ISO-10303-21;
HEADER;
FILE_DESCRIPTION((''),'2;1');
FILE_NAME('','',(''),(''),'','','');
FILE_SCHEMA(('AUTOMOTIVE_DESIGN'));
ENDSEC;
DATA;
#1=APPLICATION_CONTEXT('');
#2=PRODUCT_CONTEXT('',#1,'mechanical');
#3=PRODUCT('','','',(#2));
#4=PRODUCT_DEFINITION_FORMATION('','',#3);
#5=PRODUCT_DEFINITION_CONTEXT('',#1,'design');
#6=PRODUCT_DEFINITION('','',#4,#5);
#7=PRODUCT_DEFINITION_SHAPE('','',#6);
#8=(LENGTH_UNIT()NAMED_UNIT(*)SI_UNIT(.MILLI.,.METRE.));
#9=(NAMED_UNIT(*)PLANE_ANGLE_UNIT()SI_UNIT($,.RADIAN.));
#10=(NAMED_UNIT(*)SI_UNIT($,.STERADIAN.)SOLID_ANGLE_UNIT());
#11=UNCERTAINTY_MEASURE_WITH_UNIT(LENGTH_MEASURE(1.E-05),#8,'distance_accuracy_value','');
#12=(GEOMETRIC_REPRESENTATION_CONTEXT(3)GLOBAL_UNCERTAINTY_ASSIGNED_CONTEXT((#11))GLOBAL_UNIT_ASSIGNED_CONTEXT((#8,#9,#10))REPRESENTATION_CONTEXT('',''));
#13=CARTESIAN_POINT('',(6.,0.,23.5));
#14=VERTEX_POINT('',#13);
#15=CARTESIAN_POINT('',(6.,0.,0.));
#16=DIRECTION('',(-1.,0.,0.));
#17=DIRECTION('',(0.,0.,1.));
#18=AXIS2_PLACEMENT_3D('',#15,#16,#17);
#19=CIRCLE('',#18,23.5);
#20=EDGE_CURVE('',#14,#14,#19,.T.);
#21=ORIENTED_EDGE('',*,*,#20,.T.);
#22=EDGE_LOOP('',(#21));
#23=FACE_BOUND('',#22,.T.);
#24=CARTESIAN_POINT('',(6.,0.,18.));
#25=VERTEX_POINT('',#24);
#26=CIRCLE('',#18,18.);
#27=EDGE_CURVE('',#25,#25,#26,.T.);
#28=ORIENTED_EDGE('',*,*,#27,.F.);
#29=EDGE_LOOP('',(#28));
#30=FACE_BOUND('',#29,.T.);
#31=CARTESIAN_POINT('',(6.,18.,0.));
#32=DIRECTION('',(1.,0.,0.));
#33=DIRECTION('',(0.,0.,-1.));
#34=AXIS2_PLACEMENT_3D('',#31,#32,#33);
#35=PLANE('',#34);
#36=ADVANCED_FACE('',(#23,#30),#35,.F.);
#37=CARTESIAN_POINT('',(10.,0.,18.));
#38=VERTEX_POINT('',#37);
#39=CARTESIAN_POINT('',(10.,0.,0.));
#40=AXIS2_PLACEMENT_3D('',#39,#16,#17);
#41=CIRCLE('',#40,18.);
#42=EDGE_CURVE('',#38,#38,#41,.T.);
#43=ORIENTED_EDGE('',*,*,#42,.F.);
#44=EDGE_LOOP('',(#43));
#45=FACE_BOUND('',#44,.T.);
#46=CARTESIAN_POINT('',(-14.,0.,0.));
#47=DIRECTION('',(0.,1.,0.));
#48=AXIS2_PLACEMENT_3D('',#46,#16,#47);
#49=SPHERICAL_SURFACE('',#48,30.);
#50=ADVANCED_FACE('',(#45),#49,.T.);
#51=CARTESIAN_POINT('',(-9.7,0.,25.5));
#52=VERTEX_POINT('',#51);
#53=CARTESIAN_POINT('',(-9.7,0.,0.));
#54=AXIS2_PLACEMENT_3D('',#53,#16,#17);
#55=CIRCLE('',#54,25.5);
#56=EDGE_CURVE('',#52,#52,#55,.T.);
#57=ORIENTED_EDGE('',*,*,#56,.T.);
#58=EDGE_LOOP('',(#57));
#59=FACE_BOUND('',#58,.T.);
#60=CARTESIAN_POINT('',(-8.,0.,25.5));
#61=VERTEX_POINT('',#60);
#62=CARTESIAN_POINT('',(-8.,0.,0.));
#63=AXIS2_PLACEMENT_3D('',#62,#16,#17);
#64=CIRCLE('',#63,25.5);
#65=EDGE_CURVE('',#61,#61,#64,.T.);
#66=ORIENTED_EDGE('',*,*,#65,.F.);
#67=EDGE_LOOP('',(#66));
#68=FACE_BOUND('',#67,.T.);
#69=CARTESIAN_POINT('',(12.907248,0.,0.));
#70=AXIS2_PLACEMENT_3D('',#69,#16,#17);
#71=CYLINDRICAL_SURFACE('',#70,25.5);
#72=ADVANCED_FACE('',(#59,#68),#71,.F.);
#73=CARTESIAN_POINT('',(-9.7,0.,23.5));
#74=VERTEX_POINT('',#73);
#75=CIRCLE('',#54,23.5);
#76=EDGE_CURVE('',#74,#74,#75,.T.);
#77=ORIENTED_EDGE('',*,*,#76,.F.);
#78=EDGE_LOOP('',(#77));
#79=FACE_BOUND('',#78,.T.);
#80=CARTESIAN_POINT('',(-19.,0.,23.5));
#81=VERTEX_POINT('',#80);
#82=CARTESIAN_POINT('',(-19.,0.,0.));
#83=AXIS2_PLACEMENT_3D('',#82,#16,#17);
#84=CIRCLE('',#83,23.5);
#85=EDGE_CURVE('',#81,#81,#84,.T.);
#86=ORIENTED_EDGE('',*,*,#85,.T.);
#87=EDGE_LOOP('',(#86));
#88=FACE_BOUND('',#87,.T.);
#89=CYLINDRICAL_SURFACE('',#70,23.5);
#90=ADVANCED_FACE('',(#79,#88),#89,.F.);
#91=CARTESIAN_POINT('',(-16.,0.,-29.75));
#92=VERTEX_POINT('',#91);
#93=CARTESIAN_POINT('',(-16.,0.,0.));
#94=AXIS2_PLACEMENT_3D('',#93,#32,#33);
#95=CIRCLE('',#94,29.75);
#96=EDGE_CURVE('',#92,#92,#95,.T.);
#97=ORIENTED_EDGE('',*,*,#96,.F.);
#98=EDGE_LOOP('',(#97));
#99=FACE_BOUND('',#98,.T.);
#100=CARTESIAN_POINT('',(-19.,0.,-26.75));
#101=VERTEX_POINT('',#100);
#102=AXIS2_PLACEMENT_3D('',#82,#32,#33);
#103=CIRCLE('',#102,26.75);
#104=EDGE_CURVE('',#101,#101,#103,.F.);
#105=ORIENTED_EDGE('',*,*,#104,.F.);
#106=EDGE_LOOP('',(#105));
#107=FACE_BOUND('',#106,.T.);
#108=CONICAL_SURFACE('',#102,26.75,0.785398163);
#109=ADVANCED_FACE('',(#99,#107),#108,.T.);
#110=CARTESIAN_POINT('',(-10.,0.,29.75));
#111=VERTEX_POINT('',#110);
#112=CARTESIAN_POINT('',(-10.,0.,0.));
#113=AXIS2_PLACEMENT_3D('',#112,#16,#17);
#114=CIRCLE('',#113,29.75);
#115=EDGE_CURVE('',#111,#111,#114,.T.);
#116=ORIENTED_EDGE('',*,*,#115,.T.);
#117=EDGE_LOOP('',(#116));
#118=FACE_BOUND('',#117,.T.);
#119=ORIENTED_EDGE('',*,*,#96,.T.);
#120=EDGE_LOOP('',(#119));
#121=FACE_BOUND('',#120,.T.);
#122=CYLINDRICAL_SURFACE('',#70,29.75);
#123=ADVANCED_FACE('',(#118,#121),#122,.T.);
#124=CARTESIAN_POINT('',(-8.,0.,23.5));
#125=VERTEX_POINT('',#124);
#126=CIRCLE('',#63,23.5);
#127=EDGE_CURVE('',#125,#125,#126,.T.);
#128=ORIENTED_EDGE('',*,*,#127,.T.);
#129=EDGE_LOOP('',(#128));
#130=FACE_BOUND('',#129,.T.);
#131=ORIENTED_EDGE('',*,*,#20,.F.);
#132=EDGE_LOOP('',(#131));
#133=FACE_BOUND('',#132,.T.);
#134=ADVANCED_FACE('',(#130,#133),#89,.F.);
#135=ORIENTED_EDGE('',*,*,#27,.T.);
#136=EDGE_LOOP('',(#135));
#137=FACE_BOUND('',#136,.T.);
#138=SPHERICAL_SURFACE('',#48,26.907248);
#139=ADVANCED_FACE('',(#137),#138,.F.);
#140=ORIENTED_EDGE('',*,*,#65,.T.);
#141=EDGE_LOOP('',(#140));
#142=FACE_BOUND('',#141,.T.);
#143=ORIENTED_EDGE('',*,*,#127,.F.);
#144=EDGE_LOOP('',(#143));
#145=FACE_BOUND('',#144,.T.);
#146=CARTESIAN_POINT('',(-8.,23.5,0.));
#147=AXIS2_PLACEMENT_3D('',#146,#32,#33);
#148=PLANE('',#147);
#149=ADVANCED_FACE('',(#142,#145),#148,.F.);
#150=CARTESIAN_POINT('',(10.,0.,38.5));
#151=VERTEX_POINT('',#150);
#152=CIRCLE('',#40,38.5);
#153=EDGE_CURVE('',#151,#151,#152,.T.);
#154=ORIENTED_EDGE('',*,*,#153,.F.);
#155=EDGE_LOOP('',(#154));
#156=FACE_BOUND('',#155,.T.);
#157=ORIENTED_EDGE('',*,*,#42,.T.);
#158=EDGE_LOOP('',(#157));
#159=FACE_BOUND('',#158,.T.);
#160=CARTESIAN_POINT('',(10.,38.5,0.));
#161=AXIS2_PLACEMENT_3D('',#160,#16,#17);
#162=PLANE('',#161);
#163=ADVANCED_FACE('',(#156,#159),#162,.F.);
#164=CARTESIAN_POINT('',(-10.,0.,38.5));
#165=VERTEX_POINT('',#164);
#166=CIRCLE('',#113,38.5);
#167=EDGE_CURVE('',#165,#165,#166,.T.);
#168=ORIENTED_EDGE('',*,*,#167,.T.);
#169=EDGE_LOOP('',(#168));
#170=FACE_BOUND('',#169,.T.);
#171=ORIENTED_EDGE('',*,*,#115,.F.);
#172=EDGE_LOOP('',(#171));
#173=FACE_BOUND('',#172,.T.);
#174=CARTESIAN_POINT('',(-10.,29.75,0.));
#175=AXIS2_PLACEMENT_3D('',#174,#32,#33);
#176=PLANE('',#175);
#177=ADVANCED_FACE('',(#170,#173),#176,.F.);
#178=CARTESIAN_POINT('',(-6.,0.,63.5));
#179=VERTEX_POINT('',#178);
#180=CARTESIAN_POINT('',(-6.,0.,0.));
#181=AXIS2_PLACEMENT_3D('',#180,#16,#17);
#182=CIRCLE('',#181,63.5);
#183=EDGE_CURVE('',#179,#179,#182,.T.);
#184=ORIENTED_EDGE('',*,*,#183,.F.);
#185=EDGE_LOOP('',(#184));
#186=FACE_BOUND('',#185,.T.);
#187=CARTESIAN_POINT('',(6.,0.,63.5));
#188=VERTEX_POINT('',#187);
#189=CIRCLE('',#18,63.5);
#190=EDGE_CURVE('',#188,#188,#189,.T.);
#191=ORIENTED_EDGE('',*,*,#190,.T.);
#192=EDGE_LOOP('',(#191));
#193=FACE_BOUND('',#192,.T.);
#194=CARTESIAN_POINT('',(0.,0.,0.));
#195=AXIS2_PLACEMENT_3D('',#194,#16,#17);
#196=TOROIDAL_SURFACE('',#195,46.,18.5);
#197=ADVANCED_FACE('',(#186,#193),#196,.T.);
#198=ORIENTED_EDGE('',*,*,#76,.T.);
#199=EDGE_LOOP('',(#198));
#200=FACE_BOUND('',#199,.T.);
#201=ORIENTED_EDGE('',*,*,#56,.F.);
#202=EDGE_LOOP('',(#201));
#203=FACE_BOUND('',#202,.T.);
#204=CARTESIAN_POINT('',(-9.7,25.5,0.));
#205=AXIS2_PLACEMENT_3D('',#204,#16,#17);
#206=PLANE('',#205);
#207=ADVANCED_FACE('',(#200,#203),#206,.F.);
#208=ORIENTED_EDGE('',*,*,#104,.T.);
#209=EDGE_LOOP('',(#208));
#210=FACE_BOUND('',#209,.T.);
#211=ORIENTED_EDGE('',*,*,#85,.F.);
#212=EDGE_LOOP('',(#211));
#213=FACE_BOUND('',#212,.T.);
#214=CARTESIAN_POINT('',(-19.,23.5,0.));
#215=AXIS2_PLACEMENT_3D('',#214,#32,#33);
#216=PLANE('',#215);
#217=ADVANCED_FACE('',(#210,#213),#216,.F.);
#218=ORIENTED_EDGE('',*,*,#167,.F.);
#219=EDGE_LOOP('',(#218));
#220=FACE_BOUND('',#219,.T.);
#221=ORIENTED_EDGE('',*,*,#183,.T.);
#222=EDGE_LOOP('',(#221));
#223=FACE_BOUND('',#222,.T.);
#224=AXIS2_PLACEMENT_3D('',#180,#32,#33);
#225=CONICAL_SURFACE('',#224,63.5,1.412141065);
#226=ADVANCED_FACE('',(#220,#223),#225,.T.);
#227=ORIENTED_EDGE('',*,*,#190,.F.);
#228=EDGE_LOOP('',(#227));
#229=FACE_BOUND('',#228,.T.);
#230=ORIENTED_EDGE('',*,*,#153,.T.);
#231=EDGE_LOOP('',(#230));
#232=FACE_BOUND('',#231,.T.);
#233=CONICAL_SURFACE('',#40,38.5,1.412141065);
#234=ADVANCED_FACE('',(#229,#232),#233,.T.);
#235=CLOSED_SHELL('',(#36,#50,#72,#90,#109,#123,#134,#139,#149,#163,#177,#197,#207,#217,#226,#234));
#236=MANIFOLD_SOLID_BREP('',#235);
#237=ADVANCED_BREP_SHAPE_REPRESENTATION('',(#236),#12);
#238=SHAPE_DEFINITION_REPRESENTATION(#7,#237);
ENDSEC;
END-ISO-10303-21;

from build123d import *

# Parameters (mm, degrees)
CHAMFER_1_SIZE = 3


with BuildPart() as part:
    # Эскиз1 → Повернуть1 (revolve)
    with BuildSketch(Plane.XY):
        with BuildLine():
            Line((6, 18), (6, 23.5))
            Line((6, 23.5), (-8, 23.5))
            Line((-8, 23.5), (-8, 25.5))
            Line((-8, 25.5), (-9.7, 25.5))
            Line((-9.7, 25.5), (-9.7, 23.5))
            Line((-9.7, 23.5), (-19, 23.5))
            Line((-19, 23.5), (-19, 29.75))
            Line((-19, 29.75), (-10, 29.75))
            Line((-10, 29.75), (-10, 38.5))
            Line((-10, 38.5), (-6, 63.5))
            ThreePointArc((-6, 63.5), (0, 64.5), (6, 63.5))
            Line((6, 63.5), (10, 38.5))
            Line((10, 38.5), (10, 18))
            ThreePointArc((10, 18), (14.460498942, 9.486832981), (16, 0))
            Line((16, 0), (12.907248094, 0))
            ThreePointArc((12.907248094, 0), (11.121156043, 9.639892067), (6, 18))
        make_face()
    revolve(axis=Axis((12.907248094, 0, 0), (1, 0, 0)))

    # Фаска1
    chamfer_1_edges = [part.edges().sort_by_distance(p)[0] for p in [
        (-19, -29.75, 0),
    ]]
    chamfer(chamfer_1_edges, length=CHAMFER_1_SIZE)


solid = part.part
